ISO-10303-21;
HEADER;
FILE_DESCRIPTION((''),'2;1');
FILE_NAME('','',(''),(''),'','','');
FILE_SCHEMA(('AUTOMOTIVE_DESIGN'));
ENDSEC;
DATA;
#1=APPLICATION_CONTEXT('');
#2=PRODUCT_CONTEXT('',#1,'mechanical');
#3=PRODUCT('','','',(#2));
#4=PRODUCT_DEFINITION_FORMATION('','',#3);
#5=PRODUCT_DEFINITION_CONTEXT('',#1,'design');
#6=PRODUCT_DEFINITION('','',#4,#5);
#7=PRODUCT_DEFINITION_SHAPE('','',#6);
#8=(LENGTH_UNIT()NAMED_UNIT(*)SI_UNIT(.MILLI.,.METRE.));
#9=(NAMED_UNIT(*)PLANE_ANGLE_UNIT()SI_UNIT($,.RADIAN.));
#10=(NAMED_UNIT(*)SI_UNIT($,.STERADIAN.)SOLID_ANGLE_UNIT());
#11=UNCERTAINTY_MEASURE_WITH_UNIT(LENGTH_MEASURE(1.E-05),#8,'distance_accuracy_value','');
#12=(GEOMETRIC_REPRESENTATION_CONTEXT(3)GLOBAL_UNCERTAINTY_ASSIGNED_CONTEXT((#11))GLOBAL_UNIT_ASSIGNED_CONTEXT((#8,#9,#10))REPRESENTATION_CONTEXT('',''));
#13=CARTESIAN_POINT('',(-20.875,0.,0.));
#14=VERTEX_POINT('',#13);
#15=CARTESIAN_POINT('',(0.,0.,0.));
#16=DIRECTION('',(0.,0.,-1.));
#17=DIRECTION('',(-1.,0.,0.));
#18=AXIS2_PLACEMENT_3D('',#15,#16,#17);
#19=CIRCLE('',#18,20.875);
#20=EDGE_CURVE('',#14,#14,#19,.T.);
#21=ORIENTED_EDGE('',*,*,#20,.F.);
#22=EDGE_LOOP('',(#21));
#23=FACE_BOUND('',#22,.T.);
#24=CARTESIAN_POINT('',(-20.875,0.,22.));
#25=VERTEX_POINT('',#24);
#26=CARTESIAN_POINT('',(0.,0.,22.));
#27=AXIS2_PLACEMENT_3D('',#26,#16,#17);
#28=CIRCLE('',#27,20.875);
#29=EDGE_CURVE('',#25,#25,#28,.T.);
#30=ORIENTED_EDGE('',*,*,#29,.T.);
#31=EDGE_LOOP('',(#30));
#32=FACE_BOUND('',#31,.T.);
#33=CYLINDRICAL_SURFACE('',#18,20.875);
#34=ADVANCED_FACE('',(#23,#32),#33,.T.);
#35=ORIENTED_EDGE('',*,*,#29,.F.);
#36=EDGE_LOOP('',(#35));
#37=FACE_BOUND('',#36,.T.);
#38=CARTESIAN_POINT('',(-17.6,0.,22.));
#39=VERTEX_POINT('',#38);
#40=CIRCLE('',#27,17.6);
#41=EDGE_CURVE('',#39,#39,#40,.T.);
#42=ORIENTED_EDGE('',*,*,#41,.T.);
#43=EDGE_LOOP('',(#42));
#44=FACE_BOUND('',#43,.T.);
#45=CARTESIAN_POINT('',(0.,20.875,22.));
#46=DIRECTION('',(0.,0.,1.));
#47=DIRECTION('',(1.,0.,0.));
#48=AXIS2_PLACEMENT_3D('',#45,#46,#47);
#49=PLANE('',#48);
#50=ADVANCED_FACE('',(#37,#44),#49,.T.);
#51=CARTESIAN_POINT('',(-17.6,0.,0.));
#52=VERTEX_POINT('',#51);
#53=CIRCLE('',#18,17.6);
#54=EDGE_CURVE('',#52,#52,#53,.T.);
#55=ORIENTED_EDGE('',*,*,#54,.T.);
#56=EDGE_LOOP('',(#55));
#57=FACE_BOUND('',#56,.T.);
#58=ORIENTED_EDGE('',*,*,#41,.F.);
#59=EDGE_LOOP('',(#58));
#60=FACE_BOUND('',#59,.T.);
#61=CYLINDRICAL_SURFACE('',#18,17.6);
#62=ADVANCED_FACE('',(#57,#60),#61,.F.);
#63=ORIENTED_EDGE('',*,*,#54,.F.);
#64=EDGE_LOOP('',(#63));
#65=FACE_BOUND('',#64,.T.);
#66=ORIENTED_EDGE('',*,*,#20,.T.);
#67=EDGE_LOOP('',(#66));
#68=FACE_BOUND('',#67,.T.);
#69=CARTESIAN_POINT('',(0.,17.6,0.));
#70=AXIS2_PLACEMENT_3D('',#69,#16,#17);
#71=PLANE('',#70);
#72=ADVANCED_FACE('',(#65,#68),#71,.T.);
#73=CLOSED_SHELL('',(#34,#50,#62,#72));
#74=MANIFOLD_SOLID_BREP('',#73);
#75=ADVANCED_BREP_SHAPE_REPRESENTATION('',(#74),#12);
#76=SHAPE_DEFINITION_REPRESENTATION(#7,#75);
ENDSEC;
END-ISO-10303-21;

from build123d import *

# Parameters (mm, degrees)
SKETCH1_W = 22
SKETCH1_H = 3.275


with BuildPart() as part:
    # Sketch1 → Revolve1 (revolve)
    with BuildSketch(Plane(origin=(0, 0, 0), x_dir=(0, 0, -1), z_dir=(1, 0, 0)), mode=Mode.PRIVATE) as revolve1_sk:
        with Locations((-11, 19.2375)):
            Rectangle(SKETCH1_W, SKETCH1_H)
    revolve(revolve1_sk.sketch.rotate(Axis((0, 0, 0), (0, 0, 1)), 90), axis=Axis((0, 0, 0), (0, 0, 1)))


solid = part.part
